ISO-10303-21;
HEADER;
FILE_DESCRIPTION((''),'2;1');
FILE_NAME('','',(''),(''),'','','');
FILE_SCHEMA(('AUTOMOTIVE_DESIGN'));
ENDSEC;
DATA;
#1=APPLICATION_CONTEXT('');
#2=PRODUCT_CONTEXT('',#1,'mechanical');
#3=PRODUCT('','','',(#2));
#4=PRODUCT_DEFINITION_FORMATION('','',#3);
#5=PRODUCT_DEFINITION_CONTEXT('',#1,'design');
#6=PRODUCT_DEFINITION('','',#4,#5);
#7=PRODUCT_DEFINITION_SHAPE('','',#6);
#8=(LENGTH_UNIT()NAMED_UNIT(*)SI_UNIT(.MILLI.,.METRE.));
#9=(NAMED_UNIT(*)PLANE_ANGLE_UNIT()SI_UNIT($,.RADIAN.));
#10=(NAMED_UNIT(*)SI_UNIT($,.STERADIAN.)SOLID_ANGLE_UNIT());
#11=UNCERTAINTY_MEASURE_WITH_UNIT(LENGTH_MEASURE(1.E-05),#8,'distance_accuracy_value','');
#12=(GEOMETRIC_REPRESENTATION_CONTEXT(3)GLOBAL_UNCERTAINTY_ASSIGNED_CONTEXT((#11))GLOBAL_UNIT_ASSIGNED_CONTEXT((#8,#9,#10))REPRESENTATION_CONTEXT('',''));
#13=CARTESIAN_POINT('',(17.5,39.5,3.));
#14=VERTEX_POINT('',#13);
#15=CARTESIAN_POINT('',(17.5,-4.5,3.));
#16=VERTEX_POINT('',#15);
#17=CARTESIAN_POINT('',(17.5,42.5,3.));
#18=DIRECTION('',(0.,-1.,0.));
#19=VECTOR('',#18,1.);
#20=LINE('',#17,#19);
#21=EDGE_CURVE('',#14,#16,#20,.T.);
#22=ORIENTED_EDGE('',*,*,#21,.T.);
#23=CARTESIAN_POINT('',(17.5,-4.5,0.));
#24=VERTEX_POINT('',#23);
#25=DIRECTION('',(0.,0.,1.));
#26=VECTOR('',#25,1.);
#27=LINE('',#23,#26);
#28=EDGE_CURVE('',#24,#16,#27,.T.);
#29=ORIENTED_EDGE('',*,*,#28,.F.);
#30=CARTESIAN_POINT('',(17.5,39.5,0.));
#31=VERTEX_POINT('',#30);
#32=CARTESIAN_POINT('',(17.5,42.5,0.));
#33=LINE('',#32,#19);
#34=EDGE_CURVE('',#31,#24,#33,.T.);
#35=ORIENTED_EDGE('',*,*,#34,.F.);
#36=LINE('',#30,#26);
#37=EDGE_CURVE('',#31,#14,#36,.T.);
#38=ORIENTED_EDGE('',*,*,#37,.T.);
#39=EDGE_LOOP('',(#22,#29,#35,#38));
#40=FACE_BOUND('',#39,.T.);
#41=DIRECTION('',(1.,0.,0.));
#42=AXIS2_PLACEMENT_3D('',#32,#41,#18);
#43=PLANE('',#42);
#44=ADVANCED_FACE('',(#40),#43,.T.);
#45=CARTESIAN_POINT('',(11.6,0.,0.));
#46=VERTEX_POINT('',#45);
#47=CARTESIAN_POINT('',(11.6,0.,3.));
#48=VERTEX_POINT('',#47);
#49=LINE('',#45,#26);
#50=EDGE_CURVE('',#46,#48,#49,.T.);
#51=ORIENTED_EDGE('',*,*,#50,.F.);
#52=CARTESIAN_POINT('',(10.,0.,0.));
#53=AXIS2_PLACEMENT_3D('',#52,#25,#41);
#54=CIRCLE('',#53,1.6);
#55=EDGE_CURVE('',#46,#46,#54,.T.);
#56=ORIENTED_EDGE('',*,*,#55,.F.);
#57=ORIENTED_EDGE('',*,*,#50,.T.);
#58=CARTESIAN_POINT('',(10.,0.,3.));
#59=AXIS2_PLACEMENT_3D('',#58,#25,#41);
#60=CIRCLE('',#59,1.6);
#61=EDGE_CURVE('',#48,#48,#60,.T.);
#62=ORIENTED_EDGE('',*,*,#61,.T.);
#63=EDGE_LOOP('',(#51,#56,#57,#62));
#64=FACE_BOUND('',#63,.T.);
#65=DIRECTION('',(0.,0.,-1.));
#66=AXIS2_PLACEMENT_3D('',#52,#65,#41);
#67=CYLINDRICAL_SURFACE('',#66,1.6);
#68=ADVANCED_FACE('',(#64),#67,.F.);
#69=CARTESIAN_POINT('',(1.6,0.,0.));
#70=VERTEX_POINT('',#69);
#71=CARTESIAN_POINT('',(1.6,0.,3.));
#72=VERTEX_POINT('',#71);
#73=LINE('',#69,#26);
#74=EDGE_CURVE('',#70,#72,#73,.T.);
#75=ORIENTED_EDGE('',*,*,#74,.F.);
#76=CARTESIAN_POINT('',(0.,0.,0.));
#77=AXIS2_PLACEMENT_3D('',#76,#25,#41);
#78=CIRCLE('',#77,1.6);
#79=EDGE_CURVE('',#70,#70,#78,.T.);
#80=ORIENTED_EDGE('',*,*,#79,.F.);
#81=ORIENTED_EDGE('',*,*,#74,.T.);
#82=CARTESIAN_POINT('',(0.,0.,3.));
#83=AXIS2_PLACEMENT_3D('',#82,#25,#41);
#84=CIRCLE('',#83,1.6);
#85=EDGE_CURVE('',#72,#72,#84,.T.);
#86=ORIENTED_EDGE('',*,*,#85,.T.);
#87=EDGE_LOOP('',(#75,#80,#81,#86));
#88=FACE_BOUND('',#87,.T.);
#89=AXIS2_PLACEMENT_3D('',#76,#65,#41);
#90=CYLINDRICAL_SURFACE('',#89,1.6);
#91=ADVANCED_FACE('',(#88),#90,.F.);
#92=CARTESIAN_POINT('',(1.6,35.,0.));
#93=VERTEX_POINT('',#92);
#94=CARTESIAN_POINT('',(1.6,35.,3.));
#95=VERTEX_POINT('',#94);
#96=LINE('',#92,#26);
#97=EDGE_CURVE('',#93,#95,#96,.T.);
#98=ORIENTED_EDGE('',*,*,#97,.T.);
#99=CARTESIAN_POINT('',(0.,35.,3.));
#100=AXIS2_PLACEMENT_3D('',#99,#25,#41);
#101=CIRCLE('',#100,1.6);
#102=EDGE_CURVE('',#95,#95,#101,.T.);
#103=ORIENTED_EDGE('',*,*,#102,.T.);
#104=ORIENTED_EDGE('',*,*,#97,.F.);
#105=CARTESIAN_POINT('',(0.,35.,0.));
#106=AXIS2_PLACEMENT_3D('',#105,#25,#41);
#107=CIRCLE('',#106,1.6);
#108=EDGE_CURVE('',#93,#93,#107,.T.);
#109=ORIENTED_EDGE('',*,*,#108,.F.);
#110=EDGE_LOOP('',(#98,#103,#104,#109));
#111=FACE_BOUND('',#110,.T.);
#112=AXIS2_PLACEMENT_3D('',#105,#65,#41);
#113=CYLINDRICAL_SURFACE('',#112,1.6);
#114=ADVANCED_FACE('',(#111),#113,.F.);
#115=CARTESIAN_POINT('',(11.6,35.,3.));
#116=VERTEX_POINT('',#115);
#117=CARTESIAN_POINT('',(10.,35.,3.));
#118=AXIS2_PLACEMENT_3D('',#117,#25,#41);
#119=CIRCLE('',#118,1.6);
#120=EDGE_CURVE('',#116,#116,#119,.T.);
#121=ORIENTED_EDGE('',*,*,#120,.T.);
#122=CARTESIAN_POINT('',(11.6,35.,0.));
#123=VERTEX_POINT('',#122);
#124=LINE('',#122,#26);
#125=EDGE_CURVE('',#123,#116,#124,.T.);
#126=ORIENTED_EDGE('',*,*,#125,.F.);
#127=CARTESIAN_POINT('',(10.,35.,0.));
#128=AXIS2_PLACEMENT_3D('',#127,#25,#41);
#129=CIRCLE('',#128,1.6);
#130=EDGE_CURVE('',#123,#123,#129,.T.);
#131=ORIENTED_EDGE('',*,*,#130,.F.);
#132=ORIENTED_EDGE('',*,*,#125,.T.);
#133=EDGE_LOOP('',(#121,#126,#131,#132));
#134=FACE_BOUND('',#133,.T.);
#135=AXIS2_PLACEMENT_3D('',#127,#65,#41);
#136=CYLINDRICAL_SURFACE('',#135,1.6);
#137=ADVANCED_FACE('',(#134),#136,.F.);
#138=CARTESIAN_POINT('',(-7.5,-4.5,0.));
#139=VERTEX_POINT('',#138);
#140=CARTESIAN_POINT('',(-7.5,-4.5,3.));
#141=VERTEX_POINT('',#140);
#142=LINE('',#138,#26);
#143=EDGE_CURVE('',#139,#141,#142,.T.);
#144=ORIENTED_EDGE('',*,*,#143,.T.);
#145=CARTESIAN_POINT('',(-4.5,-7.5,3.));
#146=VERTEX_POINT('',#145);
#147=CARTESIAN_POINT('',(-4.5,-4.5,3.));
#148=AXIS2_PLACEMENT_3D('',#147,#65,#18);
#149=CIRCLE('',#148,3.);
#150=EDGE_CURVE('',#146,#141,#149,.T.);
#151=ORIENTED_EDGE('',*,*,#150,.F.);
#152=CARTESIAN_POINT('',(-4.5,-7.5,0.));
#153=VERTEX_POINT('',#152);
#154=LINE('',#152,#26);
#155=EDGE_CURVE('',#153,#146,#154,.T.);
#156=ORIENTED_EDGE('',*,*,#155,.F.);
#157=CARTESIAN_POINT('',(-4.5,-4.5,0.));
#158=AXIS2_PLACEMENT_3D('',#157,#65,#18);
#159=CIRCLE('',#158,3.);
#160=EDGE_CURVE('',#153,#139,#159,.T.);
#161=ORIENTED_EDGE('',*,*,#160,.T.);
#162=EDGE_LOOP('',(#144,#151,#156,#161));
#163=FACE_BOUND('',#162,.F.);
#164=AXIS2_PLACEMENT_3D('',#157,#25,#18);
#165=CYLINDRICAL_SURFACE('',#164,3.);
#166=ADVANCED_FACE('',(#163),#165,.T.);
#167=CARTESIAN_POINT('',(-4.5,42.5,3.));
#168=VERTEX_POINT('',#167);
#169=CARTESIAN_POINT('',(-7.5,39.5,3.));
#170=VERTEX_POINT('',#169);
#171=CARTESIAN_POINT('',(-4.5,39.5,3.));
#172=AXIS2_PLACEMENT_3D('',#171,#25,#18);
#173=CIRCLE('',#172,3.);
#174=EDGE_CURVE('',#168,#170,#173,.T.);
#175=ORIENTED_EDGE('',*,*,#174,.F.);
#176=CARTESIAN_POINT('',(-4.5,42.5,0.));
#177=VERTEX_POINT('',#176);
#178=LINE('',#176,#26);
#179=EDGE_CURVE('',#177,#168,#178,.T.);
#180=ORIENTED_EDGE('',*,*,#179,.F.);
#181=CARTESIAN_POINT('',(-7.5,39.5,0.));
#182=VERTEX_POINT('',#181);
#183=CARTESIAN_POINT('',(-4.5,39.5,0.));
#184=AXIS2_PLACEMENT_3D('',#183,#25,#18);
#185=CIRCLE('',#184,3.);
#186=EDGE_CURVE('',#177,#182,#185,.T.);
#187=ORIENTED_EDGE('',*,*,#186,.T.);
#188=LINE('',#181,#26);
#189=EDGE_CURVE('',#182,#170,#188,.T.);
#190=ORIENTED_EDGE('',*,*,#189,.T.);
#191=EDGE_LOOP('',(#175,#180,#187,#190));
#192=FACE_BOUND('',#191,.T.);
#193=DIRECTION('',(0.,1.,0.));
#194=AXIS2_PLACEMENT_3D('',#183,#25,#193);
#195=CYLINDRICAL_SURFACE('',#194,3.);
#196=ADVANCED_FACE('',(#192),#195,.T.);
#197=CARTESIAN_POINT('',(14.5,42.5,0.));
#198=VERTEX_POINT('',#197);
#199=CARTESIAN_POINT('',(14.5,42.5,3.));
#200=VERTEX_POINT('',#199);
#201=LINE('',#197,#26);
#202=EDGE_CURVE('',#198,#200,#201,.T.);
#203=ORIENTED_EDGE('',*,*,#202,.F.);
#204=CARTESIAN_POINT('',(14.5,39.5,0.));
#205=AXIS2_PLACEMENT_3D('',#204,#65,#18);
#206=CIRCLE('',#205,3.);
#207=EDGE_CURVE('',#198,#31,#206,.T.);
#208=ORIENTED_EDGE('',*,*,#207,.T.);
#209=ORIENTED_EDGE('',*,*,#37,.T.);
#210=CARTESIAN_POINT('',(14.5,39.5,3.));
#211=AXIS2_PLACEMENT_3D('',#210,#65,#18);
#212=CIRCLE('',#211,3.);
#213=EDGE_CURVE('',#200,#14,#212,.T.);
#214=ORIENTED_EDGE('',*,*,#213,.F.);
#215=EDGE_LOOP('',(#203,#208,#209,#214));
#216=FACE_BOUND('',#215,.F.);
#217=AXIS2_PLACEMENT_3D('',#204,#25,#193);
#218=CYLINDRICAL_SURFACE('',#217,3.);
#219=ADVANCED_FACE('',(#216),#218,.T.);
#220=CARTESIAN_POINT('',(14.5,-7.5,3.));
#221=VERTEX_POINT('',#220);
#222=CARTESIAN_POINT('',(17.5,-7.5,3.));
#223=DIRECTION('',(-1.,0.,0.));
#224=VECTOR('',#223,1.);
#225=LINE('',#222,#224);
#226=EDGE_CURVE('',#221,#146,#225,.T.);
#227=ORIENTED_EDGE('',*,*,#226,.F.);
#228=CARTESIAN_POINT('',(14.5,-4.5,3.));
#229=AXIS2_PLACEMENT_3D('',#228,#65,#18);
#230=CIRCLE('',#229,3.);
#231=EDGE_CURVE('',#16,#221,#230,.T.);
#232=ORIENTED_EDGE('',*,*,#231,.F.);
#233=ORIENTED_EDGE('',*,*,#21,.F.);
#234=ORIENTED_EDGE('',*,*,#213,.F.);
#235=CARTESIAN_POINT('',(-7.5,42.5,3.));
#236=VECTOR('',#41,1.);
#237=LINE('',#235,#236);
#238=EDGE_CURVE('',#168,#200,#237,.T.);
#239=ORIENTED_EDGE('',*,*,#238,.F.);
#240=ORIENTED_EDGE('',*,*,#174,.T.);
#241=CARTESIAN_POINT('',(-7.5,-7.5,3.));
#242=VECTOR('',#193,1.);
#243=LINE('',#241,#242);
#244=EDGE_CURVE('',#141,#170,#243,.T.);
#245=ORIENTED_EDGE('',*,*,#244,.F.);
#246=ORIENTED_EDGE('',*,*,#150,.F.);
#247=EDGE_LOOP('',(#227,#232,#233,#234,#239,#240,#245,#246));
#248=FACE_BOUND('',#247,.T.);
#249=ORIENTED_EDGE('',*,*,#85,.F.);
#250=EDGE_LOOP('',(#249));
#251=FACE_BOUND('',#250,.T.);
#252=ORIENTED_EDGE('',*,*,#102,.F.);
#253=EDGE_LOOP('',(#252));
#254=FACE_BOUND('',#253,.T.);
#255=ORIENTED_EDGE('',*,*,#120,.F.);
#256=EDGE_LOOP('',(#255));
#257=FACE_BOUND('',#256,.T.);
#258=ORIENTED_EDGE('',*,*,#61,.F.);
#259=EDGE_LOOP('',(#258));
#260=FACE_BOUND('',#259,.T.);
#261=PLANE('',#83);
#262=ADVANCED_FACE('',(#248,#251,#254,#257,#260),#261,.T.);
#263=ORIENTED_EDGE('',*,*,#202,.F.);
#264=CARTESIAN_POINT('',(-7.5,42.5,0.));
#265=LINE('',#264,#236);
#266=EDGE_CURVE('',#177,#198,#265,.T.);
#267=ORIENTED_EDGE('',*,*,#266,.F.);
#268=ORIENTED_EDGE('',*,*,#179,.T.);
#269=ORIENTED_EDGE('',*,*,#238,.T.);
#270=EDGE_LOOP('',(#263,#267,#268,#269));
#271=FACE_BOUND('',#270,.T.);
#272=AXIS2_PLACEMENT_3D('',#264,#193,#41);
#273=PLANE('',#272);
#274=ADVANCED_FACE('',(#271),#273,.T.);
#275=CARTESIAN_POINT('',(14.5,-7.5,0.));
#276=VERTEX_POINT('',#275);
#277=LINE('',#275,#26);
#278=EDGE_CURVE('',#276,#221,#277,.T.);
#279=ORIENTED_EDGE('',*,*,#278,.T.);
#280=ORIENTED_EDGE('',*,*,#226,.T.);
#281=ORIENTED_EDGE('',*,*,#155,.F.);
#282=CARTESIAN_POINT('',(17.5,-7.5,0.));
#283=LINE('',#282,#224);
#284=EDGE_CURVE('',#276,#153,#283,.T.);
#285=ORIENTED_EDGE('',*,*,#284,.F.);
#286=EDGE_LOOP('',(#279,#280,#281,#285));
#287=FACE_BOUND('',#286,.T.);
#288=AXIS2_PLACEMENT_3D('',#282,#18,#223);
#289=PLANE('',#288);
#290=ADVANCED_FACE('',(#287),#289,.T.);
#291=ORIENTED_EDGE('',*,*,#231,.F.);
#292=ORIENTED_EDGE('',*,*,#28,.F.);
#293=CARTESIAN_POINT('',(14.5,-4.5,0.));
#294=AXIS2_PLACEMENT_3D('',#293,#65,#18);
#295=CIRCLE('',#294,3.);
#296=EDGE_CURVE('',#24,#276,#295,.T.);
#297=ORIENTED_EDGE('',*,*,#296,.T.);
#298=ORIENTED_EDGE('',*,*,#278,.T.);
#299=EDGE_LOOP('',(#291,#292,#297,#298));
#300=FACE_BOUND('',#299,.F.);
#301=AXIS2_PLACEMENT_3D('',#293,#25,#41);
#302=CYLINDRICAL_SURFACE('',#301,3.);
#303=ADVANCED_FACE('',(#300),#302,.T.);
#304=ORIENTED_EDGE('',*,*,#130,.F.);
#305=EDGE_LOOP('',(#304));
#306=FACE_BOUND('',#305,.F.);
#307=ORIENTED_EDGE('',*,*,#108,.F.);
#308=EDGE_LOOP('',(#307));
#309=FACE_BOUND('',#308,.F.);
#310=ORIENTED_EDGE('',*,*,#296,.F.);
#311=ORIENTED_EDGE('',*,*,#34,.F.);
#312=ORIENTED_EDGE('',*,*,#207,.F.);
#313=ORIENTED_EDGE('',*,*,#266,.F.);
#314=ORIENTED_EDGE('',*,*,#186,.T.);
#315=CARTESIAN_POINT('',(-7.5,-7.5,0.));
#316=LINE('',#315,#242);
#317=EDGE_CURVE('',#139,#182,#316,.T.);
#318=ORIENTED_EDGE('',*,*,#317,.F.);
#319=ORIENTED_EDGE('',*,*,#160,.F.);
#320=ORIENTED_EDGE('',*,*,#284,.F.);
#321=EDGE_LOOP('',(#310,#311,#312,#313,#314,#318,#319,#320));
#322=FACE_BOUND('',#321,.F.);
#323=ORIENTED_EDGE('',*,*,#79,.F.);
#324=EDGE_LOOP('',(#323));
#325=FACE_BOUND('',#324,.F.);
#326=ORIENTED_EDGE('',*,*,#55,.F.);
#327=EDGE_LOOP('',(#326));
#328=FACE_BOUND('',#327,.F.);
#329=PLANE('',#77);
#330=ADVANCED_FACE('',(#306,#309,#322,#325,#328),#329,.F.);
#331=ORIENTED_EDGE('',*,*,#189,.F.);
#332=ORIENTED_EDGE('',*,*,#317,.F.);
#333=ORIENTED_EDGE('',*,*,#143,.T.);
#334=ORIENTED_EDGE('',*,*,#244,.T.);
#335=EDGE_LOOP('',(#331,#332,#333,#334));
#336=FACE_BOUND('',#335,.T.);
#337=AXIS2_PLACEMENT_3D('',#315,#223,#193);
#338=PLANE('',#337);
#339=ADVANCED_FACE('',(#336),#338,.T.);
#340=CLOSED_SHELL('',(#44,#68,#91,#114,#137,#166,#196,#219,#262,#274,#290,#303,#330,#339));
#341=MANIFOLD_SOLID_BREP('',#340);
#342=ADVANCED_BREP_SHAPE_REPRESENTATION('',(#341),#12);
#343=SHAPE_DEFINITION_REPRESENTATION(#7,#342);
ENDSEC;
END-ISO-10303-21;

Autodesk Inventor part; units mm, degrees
ref_plane "YZ Plane" through (0, 0, 0) normal (1, 0, 0) x (0, 1, 0)
ref_plane "XZ Plane" through (0, 0, 0) normal (0, 1, 0) x (-1, 0, 0)
ref_plane "XY Plane" through (0, 0, 0) normal (0, 0, 1) x (1, 0, 0)
sketch "スケッチ1" plane through (0, 0, 0) normal (0, 0, 1) x (1, 0, 0)
  circle A0 centre (0, 0) radius 1.6
  circle A1 centre (10, 0) radius 1.6
  circle A2 centre (0, 35) radius 1.6
  circle A3 centre (10, 35) radius 1.6
  line L0 (-7.5, 42.5) -> (17.5, 42.5)
  line L1 (17.5, 42.5) -> (17.5, -7.5)
  line L2 (17.5, -7.5) -> (-7.5, -7.5)
  line L3 (-7.5, -7.5) -> (-7.5, 42.5)
  dimension "d0" = 3.2
  dimension "d1" = 3.2
  dimension "d2" = 3.2
  dimension "d3" = 3.2
  dimension "d4" = 35
  dimension "d5" = 10
  dimension "d6" = 7.5
  dimension "d7" = 7.5
  dimension "d8" = 7.5
  dimension "d9" = 7.5
extrude "押し出し1" add sketch "スケッチ1" along normal blind 3
fillet "フィレット1" radius 3 4 edges at (-7.5, 42.5, 1.5) (17.5, 42.5, 1.5) (17.5, -7.5, 1.5) (-7.5, -7.5, 1.5)
properties part number "上昇機構_側板1" material "アルミニウム 6061"
